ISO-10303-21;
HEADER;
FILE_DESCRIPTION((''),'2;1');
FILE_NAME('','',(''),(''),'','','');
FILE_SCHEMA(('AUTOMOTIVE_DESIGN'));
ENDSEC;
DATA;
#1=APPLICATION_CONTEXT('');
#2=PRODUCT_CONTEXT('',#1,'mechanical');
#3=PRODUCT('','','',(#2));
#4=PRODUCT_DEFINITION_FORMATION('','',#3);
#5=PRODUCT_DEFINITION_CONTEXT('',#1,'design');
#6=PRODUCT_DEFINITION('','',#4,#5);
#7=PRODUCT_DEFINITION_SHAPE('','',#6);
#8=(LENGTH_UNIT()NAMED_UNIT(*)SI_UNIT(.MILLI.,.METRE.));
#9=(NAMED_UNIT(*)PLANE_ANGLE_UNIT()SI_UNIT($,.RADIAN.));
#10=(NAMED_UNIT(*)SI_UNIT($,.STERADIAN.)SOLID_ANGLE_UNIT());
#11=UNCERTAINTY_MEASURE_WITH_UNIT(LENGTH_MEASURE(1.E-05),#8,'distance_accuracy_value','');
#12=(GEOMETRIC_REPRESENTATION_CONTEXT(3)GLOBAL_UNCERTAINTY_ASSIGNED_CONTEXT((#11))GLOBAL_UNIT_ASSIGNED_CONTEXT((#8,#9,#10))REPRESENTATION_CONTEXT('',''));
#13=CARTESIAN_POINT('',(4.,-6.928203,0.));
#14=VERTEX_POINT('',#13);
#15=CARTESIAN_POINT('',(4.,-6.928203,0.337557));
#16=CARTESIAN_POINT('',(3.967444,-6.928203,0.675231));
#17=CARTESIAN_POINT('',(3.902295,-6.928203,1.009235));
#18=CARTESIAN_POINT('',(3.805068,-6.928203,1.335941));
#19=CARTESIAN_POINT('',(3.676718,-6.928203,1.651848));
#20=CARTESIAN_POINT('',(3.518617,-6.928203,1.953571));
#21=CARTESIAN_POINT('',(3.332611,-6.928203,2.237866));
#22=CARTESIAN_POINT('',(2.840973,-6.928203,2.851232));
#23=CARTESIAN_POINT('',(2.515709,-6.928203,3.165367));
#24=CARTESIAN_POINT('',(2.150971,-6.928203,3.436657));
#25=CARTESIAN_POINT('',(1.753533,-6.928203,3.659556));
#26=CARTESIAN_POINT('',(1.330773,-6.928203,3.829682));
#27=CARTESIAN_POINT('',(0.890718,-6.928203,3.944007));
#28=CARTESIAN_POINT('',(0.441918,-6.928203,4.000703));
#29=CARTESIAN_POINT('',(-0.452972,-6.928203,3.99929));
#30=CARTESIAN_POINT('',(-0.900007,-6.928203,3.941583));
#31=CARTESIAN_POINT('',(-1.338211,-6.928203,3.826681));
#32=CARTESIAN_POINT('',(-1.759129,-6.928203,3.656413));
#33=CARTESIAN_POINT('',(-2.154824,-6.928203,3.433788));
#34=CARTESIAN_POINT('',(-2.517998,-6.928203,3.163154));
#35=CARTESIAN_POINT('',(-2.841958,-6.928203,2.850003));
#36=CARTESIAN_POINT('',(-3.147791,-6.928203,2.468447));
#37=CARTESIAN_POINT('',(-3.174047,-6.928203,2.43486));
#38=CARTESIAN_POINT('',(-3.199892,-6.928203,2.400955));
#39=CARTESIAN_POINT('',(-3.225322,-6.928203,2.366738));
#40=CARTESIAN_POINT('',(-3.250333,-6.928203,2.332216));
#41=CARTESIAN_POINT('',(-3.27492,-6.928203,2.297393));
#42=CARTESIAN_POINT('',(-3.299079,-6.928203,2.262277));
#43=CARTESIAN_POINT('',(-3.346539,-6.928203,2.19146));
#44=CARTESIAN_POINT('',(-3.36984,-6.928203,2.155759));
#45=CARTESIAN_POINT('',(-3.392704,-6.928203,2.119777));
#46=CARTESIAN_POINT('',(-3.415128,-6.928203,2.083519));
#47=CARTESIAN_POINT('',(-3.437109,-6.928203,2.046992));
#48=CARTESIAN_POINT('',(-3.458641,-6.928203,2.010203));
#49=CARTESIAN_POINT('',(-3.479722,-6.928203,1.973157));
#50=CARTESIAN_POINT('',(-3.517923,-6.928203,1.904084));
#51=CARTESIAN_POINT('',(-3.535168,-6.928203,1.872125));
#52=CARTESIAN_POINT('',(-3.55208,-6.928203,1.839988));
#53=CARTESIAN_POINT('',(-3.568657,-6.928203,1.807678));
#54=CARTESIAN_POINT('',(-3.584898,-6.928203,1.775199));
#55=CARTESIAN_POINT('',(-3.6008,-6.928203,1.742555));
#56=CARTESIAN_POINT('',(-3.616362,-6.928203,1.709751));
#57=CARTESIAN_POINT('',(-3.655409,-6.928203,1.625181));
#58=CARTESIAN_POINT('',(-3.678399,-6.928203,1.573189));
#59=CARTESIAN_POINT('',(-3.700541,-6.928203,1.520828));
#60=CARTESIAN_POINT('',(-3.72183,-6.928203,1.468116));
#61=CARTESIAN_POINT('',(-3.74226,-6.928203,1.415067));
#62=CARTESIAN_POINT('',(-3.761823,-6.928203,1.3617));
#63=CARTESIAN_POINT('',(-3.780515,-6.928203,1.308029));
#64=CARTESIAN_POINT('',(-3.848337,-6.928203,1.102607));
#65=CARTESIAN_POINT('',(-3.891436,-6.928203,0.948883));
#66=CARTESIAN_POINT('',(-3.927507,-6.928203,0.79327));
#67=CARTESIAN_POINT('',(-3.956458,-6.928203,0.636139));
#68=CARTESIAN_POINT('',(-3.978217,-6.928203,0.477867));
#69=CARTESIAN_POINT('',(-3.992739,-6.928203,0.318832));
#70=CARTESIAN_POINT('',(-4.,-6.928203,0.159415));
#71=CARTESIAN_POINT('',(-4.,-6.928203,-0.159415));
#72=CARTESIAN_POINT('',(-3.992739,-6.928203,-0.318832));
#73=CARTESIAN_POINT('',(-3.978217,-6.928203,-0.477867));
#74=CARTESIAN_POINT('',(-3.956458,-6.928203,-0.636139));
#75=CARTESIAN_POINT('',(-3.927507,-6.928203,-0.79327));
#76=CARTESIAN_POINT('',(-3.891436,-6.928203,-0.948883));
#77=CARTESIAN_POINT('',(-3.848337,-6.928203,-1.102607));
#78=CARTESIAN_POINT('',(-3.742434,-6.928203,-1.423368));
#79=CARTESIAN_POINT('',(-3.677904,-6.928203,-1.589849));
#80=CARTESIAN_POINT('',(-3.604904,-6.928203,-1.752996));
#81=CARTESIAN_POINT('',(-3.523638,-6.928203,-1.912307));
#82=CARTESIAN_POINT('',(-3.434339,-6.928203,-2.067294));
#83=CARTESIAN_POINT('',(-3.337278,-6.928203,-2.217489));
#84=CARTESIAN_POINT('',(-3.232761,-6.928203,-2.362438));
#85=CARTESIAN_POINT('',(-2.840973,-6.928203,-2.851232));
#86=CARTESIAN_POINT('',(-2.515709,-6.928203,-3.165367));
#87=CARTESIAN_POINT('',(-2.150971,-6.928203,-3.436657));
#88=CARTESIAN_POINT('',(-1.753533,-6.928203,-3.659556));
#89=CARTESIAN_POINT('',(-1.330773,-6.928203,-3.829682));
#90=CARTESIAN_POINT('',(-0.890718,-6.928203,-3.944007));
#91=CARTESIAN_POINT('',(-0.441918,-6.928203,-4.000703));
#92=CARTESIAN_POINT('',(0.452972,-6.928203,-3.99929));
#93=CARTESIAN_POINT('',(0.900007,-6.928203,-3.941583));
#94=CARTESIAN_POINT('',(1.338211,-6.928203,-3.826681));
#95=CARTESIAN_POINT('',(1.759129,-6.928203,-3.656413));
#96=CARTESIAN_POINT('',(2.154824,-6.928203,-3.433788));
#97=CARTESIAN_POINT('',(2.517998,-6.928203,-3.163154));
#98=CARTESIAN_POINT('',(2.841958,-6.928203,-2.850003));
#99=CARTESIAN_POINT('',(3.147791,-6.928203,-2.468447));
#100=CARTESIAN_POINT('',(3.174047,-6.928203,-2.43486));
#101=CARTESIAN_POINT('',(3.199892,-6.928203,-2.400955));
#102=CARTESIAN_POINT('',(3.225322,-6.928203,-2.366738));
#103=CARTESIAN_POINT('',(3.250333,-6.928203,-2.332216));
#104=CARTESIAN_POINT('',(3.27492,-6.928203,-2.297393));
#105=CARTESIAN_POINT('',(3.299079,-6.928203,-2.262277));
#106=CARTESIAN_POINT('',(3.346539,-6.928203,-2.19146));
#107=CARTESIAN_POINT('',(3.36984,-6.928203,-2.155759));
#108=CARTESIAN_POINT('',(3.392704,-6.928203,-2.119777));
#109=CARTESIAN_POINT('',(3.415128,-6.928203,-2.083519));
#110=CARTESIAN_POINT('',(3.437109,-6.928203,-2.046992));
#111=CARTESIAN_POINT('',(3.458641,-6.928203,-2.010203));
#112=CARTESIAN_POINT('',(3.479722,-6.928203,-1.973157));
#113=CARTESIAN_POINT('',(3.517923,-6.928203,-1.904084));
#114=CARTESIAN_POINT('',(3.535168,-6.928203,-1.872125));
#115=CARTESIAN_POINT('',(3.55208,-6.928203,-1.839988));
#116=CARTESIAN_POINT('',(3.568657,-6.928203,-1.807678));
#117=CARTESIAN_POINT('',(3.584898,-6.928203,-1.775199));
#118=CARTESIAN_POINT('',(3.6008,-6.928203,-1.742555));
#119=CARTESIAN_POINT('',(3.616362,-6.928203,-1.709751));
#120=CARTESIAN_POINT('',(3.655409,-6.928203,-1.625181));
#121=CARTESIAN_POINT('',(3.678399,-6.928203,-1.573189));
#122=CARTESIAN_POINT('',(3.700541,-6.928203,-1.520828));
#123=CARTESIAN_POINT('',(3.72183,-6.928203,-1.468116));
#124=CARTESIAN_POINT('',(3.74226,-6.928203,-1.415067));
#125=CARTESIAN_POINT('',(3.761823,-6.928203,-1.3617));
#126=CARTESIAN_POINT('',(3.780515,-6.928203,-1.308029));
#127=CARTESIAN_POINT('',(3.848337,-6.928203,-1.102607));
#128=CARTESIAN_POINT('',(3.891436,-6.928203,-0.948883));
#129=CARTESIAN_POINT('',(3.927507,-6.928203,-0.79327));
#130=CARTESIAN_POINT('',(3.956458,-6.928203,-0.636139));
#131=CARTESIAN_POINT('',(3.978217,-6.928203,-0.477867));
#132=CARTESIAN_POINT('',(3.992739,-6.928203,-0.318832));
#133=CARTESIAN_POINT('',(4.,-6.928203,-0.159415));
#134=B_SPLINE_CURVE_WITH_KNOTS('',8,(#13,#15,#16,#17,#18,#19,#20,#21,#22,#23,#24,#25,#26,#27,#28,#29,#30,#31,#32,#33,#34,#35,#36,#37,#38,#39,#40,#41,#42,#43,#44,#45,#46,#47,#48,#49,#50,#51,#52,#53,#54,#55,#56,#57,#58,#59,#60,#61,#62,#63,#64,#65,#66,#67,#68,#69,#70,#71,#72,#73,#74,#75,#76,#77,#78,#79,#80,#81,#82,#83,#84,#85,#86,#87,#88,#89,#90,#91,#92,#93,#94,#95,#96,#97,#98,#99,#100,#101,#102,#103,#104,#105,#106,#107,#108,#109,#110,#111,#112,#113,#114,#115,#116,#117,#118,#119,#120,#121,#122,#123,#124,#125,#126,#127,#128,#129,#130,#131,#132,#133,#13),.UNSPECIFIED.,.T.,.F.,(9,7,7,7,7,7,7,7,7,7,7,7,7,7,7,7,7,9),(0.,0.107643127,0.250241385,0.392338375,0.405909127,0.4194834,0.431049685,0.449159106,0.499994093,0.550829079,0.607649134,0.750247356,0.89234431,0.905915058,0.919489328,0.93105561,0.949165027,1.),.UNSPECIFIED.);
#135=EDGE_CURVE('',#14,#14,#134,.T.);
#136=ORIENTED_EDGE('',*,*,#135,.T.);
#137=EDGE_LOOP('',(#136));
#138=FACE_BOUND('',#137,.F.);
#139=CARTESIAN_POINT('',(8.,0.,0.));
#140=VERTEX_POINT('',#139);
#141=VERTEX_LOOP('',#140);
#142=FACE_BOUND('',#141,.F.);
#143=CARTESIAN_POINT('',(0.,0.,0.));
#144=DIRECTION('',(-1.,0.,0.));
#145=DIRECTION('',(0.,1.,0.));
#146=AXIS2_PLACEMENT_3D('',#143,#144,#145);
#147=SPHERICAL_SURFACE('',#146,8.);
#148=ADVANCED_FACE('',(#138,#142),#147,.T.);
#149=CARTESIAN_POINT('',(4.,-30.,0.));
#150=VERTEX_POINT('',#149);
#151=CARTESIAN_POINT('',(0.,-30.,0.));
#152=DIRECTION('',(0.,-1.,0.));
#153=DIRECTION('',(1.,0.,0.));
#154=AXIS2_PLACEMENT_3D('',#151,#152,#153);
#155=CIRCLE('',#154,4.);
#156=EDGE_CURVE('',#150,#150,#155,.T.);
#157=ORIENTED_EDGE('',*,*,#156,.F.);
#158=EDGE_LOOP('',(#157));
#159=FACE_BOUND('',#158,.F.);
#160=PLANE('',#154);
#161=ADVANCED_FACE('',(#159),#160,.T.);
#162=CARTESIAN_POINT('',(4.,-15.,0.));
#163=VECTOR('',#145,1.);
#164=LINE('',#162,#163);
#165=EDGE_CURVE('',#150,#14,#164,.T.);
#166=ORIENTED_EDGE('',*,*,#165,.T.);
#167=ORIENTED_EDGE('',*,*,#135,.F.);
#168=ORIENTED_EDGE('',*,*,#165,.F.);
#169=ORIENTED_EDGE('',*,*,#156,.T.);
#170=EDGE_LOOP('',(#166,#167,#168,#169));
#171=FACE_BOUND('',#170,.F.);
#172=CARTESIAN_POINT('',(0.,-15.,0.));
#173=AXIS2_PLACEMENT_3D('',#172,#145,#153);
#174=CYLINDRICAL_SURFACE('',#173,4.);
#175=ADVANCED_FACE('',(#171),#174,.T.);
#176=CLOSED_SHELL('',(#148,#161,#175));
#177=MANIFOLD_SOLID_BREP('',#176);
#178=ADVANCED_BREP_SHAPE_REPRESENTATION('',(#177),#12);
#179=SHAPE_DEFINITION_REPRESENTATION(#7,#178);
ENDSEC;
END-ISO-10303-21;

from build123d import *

# Parameters (mm, degrees)
F2_W = 4
F2_H = 30


with BuildPart() as f1:
    # F0 (on Top) → F1 (revolve)
    with BuildSketch(Plane.XY):
        with BuildLine():
            Line((-8, 0), (8, 0))
            ThreePointArc((8, 0), (0, 8), (-8, 0))
        make_face()
    revolve(axis=Axis((0, 0, 0), (1, 0, 0)))

    # F2 (on Top) → F3 (revolve)
    with BuildSketch(Plane.XY):
        with Locations((2, -15)):
            Rectangle(F2_W, F2_H)
    revolve(axis=Axis((0, -15, 0), (0, -1, 0)))


solid = f1.part
